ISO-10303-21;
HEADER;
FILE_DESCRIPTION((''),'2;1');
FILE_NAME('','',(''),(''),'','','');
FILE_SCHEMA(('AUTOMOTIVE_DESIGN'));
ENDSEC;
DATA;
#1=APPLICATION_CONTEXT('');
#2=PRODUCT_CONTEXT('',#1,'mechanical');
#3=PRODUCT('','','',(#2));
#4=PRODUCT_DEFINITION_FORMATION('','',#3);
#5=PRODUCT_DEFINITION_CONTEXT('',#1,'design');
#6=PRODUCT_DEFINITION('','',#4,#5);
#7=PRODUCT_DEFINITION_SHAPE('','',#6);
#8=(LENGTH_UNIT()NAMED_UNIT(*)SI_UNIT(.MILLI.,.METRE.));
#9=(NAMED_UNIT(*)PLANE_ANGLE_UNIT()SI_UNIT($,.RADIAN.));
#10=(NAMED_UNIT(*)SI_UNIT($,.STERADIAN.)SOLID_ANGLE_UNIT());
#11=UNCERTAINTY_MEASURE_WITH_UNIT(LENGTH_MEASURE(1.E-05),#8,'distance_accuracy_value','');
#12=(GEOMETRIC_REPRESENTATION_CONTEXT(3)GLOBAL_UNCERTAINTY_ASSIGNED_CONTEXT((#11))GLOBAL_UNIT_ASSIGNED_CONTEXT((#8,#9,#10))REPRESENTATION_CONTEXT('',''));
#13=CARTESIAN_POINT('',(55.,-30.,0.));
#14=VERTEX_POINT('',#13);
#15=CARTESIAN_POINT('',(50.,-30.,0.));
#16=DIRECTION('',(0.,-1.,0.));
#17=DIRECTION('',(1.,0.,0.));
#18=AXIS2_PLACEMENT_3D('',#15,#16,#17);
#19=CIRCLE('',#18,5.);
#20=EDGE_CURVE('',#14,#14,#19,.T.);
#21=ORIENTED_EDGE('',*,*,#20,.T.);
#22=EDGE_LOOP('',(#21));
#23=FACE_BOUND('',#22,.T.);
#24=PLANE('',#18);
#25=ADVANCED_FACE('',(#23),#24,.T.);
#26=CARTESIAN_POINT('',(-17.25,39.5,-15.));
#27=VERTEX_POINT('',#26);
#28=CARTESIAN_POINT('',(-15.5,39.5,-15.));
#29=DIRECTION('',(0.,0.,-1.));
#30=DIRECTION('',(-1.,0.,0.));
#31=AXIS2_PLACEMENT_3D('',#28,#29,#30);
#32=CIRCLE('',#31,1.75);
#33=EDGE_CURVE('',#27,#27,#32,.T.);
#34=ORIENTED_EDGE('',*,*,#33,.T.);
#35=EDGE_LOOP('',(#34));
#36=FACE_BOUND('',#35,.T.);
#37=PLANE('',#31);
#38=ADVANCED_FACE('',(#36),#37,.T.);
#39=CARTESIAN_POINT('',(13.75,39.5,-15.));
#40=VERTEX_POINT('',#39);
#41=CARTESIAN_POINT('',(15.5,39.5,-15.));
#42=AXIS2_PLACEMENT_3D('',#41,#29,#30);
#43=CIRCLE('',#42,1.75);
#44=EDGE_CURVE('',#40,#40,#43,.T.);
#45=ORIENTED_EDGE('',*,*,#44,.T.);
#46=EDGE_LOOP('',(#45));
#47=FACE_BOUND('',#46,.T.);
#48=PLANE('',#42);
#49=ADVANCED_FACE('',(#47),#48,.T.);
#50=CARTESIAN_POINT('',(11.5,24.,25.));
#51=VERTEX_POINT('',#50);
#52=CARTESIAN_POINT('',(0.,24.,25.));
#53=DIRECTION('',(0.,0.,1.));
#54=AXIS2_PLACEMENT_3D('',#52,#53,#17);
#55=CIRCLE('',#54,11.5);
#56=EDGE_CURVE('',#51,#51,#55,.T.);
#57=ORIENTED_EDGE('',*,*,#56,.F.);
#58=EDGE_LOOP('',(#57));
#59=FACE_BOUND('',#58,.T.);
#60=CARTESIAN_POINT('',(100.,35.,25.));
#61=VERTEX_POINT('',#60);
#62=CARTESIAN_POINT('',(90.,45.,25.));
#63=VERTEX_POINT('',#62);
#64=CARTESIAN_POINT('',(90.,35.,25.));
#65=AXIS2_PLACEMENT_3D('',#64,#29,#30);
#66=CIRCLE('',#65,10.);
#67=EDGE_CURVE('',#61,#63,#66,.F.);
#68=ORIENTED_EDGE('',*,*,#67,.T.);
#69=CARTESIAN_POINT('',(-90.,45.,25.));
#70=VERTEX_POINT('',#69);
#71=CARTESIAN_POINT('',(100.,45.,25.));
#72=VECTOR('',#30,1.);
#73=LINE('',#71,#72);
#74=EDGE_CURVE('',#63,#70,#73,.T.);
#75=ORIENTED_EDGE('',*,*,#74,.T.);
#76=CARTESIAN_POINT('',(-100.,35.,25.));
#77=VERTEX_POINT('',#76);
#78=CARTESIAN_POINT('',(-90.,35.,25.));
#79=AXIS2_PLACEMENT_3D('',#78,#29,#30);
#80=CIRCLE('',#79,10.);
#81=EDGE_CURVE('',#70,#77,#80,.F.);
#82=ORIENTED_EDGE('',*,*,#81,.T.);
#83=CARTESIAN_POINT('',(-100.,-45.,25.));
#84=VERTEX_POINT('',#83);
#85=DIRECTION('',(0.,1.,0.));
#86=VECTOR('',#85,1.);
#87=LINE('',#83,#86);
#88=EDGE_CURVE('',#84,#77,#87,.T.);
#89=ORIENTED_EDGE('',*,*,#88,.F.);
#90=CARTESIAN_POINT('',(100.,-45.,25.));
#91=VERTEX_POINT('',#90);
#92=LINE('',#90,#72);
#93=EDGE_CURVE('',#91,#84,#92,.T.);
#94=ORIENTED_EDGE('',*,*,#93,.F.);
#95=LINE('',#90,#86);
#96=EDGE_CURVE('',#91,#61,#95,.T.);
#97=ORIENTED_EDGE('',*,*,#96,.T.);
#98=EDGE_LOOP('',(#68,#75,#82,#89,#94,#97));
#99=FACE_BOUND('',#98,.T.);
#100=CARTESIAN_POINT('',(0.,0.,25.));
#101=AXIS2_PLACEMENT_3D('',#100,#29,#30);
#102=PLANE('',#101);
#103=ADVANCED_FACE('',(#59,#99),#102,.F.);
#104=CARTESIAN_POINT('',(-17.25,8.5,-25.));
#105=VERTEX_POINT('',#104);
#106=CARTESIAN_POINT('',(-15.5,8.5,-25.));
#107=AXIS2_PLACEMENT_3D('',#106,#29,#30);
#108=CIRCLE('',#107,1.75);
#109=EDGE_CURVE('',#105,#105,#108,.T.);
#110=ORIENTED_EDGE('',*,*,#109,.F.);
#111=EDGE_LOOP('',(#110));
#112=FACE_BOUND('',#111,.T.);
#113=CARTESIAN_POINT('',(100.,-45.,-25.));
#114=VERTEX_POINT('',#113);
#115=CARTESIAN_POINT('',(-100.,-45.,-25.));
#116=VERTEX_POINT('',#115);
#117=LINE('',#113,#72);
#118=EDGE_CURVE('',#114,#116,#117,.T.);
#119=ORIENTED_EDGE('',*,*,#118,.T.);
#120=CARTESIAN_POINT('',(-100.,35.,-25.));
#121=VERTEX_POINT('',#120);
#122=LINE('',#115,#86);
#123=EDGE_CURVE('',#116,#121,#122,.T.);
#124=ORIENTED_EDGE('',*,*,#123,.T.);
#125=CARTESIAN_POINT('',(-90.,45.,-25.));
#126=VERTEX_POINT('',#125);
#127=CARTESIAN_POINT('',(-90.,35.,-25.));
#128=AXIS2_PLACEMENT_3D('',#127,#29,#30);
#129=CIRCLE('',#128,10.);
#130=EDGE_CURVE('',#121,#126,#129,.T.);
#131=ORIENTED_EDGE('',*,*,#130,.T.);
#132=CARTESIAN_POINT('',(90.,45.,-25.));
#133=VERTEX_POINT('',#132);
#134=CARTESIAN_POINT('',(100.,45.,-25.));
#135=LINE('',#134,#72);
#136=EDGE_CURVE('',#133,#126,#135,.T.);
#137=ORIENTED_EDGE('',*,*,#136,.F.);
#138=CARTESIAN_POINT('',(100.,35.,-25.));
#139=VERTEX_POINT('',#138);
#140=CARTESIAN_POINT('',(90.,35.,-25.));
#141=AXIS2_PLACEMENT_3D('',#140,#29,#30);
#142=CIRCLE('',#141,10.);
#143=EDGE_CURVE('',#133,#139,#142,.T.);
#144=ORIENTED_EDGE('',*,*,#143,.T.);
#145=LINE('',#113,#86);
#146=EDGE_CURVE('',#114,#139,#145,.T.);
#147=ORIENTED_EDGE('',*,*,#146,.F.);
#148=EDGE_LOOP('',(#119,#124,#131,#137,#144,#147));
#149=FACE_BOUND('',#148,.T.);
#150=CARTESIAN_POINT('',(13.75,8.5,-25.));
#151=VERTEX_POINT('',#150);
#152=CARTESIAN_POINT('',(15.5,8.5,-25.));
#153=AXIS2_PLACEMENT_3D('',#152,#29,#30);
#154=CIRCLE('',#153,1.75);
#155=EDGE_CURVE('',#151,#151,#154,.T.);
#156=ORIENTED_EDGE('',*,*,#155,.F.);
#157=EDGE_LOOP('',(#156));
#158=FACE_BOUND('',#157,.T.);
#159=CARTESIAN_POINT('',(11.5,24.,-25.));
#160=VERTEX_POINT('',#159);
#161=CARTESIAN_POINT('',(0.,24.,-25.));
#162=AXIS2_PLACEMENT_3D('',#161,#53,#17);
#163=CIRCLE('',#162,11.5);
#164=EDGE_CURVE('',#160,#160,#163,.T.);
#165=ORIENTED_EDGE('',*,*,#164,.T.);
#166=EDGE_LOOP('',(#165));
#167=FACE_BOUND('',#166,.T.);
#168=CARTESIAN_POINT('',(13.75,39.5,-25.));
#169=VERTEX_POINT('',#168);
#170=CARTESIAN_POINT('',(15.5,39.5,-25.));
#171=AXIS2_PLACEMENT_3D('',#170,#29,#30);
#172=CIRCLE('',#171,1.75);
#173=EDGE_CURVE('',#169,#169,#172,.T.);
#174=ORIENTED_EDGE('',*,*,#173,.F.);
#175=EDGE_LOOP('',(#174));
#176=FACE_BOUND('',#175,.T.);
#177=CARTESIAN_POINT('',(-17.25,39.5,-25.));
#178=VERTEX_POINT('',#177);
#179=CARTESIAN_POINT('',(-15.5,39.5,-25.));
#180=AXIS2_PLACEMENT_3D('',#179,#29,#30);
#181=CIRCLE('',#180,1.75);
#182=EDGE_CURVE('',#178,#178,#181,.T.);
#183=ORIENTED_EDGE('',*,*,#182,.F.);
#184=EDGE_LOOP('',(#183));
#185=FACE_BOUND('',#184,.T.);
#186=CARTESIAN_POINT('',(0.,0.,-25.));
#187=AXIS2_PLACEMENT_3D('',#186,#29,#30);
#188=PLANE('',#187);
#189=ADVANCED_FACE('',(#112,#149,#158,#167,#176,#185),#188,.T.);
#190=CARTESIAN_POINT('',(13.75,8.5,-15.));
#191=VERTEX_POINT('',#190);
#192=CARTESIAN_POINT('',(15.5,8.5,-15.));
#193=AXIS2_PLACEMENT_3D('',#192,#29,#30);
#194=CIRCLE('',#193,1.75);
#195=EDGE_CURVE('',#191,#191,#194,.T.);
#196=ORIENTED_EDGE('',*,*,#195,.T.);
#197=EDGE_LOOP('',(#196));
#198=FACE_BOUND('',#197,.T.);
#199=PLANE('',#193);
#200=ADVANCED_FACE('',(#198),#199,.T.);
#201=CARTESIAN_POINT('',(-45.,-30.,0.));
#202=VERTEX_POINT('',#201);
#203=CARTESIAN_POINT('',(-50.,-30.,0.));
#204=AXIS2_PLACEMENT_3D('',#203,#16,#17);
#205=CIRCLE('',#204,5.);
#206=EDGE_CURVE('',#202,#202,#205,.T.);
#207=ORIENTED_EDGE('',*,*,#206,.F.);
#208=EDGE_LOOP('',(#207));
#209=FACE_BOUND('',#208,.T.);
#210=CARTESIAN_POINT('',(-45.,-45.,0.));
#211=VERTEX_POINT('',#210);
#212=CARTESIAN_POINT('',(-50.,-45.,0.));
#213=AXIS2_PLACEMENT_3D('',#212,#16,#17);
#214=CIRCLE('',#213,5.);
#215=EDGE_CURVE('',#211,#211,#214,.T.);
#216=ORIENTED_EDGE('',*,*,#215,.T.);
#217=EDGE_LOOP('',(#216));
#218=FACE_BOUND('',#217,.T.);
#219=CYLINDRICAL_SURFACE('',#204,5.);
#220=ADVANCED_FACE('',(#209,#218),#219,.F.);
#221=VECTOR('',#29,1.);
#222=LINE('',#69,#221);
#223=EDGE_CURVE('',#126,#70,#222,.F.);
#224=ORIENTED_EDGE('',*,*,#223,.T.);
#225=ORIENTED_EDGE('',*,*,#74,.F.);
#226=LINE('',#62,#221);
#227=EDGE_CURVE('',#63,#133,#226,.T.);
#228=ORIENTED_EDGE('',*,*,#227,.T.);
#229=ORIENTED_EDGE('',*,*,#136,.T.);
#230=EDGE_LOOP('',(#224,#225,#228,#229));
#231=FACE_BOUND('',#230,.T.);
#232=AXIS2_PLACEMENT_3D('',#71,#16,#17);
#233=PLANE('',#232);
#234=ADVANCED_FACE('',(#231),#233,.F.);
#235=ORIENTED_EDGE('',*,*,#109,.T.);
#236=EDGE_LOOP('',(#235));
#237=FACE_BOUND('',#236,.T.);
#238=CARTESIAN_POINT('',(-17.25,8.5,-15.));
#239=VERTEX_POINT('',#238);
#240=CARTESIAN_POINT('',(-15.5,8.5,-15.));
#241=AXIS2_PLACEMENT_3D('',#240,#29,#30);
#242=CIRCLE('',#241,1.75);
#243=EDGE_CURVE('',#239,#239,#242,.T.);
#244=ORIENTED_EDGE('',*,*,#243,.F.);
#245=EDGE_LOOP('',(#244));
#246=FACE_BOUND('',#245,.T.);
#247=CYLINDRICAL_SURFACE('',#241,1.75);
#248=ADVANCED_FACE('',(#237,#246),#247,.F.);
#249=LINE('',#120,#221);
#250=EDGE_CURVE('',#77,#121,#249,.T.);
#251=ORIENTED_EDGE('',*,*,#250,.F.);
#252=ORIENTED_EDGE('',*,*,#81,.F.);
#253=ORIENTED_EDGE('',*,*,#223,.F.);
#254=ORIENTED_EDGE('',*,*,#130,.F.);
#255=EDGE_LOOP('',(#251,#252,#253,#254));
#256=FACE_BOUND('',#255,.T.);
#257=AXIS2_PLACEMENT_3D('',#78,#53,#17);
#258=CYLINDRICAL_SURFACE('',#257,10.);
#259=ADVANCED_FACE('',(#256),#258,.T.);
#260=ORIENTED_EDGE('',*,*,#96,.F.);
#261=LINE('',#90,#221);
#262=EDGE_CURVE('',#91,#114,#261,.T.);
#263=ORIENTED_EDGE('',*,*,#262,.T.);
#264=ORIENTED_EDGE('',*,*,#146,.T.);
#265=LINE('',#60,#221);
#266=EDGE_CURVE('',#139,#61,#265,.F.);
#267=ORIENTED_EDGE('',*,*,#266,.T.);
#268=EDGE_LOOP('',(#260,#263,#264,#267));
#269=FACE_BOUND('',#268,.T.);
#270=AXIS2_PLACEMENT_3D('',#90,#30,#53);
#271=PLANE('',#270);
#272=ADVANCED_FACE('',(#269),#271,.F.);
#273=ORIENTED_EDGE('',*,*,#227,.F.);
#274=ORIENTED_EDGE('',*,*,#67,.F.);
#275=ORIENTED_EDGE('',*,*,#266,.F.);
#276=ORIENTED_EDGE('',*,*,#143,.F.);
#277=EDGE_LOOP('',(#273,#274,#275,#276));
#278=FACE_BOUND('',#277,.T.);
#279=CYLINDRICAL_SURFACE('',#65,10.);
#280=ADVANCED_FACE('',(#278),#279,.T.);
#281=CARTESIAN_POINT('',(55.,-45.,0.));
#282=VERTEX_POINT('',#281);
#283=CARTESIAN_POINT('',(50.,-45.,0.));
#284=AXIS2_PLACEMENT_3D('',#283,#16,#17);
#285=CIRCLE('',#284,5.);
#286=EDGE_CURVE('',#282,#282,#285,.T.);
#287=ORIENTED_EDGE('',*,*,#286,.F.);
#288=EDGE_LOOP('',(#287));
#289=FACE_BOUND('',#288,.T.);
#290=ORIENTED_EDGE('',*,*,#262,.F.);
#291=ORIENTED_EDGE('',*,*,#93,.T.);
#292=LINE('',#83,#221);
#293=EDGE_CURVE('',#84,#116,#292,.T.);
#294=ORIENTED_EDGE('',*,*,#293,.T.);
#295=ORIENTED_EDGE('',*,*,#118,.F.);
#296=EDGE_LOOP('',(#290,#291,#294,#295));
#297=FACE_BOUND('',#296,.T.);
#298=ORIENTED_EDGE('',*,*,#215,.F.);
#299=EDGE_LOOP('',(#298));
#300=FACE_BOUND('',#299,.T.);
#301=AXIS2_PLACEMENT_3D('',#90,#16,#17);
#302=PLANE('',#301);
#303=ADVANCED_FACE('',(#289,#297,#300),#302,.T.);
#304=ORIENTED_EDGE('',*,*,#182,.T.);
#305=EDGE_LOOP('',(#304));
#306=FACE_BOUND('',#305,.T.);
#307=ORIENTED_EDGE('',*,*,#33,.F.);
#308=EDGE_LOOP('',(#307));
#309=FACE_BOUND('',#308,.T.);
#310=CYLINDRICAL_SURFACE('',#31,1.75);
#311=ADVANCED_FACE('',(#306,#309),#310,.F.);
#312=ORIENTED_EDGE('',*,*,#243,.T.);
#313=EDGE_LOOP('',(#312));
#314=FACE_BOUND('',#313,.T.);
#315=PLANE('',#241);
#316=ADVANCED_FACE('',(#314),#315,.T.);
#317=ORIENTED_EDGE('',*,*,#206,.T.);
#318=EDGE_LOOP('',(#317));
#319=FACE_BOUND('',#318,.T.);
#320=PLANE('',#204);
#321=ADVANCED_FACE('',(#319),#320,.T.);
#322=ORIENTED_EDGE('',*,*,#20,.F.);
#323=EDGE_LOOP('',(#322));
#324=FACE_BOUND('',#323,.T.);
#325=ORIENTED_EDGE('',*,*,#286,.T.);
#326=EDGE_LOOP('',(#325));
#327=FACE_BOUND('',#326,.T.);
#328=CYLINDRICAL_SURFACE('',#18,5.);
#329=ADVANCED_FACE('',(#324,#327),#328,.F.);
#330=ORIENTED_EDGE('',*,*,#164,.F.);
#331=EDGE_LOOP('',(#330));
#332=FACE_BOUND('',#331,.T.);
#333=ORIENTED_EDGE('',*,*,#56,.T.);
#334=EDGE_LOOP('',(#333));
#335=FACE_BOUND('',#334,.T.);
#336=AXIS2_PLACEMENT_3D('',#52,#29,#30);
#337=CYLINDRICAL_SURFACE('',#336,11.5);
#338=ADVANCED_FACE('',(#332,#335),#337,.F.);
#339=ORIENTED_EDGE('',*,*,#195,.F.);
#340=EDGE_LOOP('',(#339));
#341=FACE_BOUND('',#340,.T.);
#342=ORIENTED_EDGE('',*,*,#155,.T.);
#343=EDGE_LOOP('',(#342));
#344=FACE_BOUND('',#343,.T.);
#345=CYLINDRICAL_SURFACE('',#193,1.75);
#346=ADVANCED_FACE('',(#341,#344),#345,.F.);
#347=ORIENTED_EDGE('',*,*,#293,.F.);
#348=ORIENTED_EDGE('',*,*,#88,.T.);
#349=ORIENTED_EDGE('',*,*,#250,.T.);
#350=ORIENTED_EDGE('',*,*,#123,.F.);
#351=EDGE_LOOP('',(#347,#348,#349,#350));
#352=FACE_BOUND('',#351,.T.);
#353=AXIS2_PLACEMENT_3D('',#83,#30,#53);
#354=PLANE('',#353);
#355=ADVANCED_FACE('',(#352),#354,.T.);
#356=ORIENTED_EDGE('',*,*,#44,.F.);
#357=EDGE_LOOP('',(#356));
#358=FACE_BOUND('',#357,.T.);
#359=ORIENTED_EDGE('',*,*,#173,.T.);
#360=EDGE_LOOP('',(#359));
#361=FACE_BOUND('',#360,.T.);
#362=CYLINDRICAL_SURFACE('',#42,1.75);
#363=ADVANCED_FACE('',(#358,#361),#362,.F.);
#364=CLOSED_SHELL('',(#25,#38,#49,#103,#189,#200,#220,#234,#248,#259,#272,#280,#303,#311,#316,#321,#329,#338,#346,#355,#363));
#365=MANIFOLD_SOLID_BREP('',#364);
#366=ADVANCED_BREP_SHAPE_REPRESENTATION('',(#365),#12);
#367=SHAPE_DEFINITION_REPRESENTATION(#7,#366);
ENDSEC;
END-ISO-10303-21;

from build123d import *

# Parameters (mm, degrees)
SKETCH1_W           = 200
SKETCH1_H           = 90
SKETCH1_R           = 11.5
BOSS_EXTRUDE1_DEPTH = 25
SKETCH2_R           = 1.75
CUT_EXTRUDE1_DEPTH  = 10
SKETCH3_R           = 5
CUT_EXTRUDE2_DEPTH  = 15
FILLET1_R           = 10


with BuildPart() as part:
    # Sketch1 → Boss-Extrude1 (new body, symmetric)
    with BuildSketch(Plane.XY):
        Rectangle(SKETCH1_W, SKETCH1_H)
        with Locations((0, 24)):
            Circle(SKETCH1_R, mode=Mode.SUBTRACT)
    extrude(amount=BOSS_EXTRUDE1_DEPTH, both=True)

    # Sketch2 → Cut-Extrude1 (cut)
    with BuildSketch(Plane(origin=(0, 0, -25), x_dir=(-1, 0, 0), z_dir=(0, 0, -1))):
        with Locations((-15.5, 8.5)):
            Circle(SKETCH2_R)
        with Locations((15.5, 8.5)):
            Circle(SKETCH2_R)
        with Locations((15.5, 39.5)):
            Circle(SKETCH2_R)
        with Locations((-15.5, 39.5)):
            Circle(SKETCH2_R)
    extrude(amount=-CUT_EXTRUDE1_DEPTH, mode=Mode.SUBTRACT)

    # Sketch3 → Cut-Extrude2 (cut)
    with BuildSketch(Plane.XZ.offset(45)):
        with Locations((-50, 0)):
            Circle(SKETCH3_R)
        with Locations((50, 0)):
            Circle(SKETCH3_R)
    extrude(amount=-CUT_EXTRUDE2_DEPTH, mode=Mode.SUBTRACT)

    # Fillet1
    fillet1_edges = [part.edges().sort_by_distance(p)[0] for p in [
        (100, 45, 0),
        (-100, 45, 0),
    ]]
    fillet(fillet1_edges, radius=FILLET1_R)


solid = part.part
